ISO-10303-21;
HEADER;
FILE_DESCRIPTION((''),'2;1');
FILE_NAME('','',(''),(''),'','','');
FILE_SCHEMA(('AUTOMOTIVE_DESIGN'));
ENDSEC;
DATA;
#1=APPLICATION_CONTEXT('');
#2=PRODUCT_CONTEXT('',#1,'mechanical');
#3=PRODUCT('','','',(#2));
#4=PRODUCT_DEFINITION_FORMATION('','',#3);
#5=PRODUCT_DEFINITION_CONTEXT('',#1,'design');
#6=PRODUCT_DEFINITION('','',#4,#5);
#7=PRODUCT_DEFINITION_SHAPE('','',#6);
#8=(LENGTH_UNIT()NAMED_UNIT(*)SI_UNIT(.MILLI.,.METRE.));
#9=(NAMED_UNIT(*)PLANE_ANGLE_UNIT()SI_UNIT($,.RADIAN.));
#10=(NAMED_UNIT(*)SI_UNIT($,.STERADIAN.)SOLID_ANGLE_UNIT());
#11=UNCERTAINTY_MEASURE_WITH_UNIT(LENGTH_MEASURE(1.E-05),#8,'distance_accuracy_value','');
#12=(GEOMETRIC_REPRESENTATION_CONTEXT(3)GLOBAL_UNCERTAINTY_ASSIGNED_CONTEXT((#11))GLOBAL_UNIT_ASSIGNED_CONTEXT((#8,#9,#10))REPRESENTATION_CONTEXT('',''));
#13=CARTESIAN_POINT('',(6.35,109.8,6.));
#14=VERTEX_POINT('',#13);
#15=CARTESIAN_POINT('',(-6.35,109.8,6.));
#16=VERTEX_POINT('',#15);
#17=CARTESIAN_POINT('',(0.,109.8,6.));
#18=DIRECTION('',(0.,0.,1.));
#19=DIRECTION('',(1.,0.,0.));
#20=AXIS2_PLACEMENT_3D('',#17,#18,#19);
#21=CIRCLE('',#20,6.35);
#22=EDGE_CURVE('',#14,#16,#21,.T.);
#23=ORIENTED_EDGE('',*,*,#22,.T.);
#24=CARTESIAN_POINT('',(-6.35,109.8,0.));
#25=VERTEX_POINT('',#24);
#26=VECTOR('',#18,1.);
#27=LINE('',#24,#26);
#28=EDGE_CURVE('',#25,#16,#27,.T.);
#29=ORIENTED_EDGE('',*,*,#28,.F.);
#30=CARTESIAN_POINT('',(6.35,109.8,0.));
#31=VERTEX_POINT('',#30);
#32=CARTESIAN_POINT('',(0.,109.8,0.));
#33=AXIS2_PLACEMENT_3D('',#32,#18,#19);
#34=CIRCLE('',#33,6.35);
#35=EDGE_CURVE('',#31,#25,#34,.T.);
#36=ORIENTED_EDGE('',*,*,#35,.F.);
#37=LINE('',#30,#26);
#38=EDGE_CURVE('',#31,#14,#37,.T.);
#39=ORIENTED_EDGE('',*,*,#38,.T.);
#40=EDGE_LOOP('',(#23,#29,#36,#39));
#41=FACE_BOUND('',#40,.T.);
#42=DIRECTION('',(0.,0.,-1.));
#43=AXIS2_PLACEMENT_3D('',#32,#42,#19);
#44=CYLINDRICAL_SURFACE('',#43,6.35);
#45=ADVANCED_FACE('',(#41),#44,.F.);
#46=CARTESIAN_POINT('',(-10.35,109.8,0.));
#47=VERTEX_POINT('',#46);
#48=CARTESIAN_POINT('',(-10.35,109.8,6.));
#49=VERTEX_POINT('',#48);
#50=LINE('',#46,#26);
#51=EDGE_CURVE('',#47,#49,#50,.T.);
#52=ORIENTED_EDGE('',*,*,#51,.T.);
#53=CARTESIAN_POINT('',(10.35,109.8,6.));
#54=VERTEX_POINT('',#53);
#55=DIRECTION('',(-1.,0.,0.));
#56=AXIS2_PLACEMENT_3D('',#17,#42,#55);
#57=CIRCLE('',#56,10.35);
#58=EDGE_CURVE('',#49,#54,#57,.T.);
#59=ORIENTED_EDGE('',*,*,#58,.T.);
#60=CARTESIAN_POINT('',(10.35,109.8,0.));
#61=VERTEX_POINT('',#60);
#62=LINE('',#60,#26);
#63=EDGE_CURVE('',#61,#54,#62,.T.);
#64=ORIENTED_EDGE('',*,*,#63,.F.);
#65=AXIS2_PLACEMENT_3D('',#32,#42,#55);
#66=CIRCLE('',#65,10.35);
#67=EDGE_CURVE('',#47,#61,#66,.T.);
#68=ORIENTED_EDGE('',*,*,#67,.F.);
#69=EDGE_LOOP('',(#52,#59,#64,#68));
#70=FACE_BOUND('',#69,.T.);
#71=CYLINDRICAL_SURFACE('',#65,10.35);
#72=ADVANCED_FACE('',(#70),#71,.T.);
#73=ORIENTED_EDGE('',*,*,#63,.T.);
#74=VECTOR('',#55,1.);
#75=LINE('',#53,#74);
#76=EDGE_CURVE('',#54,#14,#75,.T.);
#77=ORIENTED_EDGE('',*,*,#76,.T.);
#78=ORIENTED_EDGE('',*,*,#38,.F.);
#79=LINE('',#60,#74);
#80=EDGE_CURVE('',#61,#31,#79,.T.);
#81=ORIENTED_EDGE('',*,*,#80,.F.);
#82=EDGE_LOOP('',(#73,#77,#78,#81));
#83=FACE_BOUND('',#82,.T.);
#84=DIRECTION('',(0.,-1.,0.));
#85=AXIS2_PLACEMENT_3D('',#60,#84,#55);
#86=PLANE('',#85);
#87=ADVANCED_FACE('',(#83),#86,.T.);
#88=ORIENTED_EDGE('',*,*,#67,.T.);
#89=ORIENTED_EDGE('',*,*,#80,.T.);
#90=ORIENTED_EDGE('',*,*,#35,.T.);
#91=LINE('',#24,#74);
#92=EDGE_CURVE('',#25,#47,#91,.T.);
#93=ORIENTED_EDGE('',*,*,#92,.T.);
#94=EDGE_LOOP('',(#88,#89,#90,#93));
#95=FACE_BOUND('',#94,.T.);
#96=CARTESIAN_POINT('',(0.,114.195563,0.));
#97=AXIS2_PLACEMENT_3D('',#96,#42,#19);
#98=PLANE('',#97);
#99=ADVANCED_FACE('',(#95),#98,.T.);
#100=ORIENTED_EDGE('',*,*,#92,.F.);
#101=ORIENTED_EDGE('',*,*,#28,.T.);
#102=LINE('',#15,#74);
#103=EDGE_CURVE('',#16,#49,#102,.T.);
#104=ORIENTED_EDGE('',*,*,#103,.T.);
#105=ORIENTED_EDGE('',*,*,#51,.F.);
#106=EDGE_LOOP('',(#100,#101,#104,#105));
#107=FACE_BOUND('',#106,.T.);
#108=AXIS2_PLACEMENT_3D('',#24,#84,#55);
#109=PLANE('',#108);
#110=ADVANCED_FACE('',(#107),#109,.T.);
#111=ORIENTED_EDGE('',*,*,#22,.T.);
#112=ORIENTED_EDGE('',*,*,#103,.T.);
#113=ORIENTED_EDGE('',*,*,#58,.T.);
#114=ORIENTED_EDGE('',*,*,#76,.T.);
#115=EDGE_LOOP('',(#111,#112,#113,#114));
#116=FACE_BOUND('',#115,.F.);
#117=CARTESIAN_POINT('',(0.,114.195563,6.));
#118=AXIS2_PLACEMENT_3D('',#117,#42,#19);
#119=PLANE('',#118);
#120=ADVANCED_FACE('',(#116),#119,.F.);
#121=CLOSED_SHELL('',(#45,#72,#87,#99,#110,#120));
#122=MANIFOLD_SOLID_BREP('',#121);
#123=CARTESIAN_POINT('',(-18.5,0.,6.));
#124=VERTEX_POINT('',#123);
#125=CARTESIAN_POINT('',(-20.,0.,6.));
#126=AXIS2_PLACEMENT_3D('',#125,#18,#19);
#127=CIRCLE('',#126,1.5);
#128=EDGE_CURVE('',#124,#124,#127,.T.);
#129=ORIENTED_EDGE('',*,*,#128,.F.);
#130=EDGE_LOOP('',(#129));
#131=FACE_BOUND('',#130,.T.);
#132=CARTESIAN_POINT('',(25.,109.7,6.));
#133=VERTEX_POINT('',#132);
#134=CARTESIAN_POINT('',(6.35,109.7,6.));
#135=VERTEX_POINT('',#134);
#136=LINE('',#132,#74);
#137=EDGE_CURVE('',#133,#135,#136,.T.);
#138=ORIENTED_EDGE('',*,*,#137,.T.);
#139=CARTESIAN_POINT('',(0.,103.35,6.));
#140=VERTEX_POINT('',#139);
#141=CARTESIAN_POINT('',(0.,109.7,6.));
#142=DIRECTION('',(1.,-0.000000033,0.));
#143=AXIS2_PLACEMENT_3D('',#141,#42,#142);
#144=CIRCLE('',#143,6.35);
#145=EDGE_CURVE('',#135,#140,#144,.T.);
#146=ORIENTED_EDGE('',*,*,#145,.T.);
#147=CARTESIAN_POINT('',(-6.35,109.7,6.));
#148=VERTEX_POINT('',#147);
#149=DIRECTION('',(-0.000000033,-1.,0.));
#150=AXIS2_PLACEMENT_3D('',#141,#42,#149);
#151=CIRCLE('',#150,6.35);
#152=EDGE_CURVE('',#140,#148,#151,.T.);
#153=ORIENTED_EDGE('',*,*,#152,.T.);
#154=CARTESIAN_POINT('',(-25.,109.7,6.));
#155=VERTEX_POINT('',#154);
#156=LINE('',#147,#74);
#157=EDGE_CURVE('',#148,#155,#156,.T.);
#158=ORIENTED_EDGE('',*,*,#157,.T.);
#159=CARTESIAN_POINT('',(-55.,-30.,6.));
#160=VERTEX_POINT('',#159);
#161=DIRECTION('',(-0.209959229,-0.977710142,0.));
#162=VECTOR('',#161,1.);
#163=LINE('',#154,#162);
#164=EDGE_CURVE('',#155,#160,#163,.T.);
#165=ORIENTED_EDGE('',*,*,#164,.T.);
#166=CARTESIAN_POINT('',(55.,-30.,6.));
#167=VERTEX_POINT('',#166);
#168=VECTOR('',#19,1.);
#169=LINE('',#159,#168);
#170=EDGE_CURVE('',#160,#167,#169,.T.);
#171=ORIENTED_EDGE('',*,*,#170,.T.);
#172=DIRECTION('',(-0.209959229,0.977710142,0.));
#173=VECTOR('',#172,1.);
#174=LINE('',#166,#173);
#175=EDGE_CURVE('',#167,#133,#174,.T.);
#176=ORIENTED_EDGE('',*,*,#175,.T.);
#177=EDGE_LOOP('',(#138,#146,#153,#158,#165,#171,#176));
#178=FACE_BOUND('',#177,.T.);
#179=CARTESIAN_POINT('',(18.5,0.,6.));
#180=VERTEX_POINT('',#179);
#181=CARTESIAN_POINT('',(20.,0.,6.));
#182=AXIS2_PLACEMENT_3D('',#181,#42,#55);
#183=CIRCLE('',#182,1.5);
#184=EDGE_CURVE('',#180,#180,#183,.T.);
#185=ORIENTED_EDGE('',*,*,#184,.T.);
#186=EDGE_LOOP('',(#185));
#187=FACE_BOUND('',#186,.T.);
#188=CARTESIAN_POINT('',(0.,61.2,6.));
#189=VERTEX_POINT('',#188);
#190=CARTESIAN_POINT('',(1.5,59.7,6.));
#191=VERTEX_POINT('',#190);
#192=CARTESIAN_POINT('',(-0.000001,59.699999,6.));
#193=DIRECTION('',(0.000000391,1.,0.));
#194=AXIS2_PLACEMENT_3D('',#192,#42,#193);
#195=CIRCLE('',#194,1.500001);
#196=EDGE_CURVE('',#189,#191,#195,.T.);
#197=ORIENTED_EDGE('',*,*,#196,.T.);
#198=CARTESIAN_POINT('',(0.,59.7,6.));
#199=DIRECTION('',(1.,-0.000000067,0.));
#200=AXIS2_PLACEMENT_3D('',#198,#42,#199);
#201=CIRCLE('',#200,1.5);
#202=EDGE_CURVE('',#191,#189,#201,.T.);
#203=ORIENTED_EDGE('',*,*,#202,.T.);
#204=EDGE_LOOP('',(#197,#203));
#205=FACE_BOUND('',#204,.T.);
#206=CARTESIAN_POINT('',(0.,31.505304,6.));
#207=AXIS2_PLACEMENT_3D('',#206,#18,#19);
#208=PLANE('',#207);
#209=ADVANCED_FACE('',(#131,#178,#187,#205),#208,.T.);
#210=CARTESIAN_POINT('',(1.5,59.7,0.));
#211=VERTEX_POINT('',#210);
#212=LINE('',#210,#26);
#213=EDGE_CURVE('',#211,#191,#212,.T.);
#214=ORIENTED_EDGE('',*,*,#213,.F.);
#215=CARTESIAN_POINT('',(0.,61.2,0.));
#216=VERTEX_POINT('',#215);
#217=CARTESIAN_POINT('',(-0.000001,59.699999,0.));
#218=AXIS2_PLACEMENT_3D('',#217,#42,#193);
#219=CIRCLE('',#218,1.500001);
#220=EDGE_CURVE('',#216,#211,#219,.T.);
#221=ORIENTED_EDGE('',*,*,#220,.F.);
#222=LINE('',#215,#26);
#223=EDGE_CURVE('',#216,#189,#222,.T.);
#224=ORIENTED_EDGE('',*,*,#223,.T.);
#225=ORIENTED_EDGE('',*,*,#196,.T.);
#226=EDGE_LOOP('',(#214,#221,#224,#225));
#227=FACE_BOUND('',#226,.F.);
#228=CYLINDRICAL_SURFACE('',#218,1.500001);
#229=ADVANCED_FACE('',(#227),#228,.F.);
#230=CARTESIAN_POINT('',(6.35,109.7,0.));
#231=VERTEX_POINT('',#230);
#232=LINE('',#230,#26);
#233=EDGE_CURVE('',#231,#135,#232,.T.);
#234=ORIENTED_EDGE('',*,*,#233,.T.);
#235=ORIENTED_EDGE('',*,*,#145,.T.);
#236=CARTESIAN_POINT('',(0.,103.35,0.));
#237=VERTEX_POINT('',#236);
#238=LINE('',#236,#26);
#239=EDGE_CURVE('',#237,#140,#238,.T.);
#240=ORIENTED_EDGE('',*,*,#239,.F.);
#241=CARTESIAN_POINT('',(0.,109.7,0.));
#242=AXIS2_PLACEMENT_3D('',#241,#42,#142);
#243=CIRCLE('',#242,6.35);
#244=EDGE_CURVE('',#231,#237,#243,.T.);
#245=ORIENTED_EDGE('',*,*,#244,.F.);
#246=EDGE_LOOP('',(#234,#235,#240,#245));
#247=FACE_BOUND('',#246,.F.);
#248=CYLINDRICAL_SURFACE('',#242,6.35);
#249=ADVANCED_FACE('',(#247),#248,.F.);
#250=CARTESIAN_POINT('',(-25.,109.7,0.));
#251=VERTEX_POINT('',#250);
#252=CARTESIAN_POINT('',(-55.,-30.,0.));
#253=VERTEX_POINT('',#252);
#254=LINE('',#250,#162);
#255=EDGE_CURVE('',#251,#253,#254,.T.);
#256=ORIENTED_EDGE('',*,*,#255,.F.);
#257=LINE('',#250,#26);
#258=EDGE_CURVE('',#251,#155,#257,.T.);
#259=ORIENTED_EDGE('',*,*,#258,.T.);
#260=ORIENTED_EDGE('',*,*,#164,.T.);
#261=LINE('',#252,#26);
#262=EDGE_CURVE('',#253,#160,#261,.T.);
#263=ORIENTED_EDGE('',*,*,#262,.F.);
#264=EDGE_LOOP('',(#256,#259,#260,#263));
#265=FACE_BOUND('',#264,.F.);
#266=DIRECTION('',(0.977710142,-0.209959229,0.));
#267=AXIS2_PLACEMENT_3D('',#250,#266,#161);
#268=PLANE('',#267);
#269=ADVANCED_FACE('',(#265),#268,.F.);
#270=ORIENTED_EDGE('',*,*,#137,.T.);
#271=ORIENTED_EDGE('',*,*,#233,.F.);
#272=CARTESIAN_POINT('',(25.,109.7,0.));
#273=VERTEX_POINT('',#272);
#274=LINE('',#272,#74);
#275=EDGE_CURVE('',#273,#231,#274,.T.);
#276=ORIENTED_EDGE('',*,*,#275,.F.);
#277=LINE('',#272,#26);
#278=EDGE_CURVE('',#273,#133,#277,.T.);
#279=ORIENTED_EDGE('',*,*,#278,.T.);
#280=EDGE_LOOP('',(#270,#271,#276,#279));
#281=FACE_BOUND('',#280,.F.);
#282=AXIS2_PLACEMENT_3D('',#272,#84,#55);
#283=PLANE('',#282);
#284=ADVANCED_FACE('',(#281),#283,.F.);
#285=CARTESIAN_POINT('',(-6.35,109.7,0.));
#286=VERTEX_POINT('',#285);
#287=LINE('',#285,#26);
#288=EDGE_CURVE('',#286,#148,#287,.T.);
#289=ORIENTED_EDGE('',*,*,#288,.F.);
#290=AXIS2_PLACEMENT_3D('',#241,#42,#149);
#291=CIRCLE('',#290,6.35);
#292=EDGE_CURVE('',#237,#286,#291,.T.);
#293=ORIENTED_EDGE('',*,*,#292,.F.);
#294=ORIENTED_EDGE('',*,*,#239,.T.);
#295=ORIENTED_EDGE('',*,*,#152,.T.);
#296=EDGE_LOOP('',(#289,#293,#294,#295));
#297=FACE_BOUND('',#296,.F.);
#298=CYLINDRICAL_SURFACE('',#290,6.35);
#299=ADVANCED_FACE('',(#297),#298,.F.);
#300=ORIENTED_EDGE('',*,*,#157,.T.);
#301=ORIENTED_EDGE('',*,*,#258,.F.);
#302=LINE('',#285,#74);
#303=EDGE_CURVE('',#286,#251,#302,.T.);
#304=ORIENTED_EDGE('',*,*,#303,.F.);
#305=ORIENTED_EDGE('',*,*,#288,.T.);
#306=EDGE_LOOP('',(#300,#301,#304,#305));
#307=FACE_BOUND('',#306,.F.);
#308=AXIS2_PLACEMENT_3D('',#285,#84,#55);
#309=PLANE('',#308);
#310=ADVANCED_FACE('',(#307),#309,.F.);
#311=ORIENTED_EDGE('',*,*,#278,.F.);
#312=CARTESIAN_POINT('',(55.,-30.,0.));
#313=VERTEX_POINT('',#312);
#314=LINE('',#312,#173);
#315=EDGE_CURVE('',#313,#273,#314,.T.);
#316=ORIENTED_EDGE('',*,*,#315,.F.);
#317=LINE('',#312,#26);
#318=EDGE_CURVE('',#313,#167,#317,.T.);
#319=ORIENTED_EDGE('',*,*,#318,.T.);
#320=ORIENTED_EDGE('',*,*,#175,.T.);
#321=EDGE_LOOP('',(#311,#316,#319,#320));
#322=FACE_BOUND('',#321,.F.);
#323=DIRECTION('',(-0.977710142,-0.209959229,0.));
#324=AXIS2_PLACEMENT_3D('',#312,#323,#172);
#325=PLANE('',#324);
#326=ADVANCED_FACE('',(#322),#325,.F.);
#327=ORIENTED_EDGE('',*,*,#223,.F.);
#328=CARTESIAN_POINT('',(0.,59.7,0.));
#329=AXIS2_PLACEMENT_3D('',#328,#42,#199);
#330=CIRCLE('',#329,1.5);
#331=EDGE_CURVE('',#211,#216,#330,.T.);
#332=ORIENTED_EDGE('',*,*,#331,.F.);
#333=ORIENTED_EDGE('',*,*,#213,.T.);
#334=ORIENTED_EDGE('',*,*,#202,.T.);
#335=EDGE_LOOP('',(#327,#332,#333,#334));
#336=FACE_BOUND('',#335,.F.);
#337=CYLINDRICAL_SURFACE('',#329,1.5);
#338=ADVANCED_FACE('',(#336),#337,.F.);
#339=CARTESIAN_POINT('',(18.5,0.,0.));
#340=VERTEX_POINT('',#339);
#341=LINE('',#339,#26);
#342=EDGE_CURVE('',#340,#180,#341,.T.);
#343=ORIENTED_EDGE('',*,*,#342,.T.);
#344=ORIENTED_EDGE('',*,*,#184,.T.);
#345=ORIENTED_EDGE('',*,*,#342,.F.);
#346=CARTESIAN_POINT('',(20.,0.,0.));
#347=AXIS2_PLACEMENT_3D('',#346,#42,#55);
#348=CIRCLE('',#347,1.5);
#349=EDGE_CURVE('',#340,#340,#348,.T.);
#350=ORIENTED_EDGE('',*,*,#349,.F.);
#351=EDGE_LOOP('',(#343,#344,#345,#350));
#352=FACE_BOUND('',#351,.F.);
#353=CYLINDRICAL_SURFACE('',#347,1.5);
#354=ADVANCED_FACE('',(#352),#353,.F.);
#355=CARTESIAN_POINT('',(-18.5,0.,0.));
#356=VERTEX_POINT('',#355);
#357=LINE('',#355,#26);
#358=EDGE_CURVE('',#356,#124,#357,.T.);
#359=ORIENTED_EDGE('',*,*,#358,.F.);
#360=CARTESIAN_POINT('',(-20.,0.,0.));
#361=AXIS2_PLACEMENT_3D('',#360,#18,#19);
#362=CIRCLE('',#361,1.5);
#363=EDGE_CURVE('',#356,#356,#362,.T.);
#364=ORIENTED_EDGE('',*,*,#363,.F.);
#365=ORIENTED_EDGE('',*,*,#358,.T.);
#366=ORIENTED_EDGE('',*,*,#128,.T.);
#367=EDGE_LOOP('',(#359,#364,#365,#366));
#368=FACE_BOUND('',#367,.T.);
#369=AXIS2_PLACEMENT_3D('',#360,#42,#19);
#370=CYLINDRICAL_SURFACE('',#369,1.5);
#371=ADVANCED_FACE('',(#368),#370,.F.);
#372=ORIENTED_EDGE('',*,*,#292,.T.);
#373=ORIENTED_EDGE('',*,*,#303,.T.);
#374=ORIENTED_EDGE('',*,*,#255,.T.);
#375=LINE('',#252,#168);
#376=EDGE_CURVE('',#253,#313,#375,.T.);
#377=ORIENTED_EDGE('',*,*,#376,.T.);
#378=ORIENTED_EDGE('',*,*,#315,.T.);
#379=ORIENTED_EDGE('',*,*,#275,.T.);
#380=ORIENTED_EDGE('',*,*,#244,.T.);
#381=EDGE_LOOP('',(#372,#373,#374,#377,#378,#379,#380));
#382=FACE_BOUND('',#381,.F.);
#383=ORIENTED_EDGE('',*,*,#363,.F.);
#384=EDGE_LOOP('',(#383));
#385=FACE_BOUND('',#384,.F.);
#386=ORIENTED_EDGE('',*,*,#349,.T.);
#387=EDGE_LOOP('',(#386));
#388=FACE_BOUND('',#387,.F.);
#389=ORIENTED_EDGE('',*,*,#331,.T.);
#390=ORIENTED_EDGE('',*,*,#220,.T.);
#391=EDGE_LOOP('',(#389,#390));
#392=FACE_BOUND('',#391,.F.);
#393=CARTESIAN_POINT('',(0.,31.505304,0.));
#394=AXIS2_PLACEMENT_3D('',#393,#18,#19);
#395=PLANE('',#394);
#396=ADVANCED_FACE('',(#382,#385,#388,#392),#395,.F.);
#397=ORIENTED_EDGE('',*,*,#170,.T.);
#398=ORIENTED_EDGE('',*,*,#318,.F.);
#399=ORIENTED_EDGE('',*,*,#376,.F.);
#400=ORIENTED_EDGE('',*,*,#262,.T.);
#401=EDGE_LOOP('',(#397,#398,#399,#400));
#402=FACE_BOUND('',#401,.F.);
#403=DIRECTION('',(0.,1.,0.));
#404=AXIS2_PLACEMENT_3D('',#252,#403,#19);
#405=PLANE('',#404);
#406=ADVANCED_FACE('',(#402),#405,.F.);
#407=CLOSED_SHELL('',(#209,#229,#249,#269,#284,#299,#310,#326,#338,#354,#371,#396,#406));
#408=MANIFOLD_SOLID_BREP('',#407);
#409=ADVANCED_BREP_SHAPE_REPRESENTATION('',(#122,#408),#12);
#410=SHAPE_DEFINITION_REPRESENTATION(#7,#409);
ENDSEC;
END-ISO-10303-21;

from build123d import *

# Parameters (mm, degrees)
F0_R     = 1.5
F1_DEPTH = 6
F3_DEPTH = 6


with BuildPart() as f1:
    # F0 (on Top) → F1 (new body)
    with BuildSketch(Plane.XY):
        with BuildLine():
            Line((-55, -30), (0, -30))
            Line((0, -30), (55, -30))
            Line((55, -30), (25, 109.7))
            Line((25, 109.7), (6.35, 109.7))
            ThreePointArc((6.35, 109.7), (4.490128, 105.209872), (0, 103.35))
            ThreePointArc((0, 103.35), (-4.490128, 105.209872), (-6.35, 109.7))
            Line((-6.35, 109.7), (-25, 109.7))
            Line((-25, 109.7), (-55, -30))
        make_face()
        with Locations((-20, 0)):
            Circle(F0_R, mode=Mode.SUBTRACT)
        with BuildLine():
            ThreePointArc((21.5, 0), (20, -1.5), (18.5, 0))
            ThreePointArc((18.5, 0), (20, 1.5), (21.5, 0))
        make_face(mode=Mode.SUBTRACT)
        with BuildLine():
            ThreePointArc((1.5, 59.7), (-1.06066, 58.63934), (0, 61.2))
            ThreePointArc((0, 61.2), (1.06066, 60.76066), (1.5, 59.7))
        make_face(mode=Mode.SUBTRACT)
    extrude(amount=F1_DEPTH)


with BuildPart() as f3:
    # F2 (on face) → F3 (new body)
    with BuildSketch(Plane(origin=(0, 0, 0), x_dir=(1, 0, 0), z_dir=(0, 0, -1))):
        with BuildLine():
            ThreePointArc((6.35, -109.8), (0, -116.15), (-6.35, -109.8))
            Line((-6.35, -109.8), (-10.35, -109.8))
            ThreePointArc((-10.35, -109.8), (0, -120.15), (10.35, -109.8))
            Line((10.35, -109.8), (6.35, -109.8))
        make_face()
    extrude(amount=-F3_DEPTH)


solid = Compound([f1.part, f3.part])
